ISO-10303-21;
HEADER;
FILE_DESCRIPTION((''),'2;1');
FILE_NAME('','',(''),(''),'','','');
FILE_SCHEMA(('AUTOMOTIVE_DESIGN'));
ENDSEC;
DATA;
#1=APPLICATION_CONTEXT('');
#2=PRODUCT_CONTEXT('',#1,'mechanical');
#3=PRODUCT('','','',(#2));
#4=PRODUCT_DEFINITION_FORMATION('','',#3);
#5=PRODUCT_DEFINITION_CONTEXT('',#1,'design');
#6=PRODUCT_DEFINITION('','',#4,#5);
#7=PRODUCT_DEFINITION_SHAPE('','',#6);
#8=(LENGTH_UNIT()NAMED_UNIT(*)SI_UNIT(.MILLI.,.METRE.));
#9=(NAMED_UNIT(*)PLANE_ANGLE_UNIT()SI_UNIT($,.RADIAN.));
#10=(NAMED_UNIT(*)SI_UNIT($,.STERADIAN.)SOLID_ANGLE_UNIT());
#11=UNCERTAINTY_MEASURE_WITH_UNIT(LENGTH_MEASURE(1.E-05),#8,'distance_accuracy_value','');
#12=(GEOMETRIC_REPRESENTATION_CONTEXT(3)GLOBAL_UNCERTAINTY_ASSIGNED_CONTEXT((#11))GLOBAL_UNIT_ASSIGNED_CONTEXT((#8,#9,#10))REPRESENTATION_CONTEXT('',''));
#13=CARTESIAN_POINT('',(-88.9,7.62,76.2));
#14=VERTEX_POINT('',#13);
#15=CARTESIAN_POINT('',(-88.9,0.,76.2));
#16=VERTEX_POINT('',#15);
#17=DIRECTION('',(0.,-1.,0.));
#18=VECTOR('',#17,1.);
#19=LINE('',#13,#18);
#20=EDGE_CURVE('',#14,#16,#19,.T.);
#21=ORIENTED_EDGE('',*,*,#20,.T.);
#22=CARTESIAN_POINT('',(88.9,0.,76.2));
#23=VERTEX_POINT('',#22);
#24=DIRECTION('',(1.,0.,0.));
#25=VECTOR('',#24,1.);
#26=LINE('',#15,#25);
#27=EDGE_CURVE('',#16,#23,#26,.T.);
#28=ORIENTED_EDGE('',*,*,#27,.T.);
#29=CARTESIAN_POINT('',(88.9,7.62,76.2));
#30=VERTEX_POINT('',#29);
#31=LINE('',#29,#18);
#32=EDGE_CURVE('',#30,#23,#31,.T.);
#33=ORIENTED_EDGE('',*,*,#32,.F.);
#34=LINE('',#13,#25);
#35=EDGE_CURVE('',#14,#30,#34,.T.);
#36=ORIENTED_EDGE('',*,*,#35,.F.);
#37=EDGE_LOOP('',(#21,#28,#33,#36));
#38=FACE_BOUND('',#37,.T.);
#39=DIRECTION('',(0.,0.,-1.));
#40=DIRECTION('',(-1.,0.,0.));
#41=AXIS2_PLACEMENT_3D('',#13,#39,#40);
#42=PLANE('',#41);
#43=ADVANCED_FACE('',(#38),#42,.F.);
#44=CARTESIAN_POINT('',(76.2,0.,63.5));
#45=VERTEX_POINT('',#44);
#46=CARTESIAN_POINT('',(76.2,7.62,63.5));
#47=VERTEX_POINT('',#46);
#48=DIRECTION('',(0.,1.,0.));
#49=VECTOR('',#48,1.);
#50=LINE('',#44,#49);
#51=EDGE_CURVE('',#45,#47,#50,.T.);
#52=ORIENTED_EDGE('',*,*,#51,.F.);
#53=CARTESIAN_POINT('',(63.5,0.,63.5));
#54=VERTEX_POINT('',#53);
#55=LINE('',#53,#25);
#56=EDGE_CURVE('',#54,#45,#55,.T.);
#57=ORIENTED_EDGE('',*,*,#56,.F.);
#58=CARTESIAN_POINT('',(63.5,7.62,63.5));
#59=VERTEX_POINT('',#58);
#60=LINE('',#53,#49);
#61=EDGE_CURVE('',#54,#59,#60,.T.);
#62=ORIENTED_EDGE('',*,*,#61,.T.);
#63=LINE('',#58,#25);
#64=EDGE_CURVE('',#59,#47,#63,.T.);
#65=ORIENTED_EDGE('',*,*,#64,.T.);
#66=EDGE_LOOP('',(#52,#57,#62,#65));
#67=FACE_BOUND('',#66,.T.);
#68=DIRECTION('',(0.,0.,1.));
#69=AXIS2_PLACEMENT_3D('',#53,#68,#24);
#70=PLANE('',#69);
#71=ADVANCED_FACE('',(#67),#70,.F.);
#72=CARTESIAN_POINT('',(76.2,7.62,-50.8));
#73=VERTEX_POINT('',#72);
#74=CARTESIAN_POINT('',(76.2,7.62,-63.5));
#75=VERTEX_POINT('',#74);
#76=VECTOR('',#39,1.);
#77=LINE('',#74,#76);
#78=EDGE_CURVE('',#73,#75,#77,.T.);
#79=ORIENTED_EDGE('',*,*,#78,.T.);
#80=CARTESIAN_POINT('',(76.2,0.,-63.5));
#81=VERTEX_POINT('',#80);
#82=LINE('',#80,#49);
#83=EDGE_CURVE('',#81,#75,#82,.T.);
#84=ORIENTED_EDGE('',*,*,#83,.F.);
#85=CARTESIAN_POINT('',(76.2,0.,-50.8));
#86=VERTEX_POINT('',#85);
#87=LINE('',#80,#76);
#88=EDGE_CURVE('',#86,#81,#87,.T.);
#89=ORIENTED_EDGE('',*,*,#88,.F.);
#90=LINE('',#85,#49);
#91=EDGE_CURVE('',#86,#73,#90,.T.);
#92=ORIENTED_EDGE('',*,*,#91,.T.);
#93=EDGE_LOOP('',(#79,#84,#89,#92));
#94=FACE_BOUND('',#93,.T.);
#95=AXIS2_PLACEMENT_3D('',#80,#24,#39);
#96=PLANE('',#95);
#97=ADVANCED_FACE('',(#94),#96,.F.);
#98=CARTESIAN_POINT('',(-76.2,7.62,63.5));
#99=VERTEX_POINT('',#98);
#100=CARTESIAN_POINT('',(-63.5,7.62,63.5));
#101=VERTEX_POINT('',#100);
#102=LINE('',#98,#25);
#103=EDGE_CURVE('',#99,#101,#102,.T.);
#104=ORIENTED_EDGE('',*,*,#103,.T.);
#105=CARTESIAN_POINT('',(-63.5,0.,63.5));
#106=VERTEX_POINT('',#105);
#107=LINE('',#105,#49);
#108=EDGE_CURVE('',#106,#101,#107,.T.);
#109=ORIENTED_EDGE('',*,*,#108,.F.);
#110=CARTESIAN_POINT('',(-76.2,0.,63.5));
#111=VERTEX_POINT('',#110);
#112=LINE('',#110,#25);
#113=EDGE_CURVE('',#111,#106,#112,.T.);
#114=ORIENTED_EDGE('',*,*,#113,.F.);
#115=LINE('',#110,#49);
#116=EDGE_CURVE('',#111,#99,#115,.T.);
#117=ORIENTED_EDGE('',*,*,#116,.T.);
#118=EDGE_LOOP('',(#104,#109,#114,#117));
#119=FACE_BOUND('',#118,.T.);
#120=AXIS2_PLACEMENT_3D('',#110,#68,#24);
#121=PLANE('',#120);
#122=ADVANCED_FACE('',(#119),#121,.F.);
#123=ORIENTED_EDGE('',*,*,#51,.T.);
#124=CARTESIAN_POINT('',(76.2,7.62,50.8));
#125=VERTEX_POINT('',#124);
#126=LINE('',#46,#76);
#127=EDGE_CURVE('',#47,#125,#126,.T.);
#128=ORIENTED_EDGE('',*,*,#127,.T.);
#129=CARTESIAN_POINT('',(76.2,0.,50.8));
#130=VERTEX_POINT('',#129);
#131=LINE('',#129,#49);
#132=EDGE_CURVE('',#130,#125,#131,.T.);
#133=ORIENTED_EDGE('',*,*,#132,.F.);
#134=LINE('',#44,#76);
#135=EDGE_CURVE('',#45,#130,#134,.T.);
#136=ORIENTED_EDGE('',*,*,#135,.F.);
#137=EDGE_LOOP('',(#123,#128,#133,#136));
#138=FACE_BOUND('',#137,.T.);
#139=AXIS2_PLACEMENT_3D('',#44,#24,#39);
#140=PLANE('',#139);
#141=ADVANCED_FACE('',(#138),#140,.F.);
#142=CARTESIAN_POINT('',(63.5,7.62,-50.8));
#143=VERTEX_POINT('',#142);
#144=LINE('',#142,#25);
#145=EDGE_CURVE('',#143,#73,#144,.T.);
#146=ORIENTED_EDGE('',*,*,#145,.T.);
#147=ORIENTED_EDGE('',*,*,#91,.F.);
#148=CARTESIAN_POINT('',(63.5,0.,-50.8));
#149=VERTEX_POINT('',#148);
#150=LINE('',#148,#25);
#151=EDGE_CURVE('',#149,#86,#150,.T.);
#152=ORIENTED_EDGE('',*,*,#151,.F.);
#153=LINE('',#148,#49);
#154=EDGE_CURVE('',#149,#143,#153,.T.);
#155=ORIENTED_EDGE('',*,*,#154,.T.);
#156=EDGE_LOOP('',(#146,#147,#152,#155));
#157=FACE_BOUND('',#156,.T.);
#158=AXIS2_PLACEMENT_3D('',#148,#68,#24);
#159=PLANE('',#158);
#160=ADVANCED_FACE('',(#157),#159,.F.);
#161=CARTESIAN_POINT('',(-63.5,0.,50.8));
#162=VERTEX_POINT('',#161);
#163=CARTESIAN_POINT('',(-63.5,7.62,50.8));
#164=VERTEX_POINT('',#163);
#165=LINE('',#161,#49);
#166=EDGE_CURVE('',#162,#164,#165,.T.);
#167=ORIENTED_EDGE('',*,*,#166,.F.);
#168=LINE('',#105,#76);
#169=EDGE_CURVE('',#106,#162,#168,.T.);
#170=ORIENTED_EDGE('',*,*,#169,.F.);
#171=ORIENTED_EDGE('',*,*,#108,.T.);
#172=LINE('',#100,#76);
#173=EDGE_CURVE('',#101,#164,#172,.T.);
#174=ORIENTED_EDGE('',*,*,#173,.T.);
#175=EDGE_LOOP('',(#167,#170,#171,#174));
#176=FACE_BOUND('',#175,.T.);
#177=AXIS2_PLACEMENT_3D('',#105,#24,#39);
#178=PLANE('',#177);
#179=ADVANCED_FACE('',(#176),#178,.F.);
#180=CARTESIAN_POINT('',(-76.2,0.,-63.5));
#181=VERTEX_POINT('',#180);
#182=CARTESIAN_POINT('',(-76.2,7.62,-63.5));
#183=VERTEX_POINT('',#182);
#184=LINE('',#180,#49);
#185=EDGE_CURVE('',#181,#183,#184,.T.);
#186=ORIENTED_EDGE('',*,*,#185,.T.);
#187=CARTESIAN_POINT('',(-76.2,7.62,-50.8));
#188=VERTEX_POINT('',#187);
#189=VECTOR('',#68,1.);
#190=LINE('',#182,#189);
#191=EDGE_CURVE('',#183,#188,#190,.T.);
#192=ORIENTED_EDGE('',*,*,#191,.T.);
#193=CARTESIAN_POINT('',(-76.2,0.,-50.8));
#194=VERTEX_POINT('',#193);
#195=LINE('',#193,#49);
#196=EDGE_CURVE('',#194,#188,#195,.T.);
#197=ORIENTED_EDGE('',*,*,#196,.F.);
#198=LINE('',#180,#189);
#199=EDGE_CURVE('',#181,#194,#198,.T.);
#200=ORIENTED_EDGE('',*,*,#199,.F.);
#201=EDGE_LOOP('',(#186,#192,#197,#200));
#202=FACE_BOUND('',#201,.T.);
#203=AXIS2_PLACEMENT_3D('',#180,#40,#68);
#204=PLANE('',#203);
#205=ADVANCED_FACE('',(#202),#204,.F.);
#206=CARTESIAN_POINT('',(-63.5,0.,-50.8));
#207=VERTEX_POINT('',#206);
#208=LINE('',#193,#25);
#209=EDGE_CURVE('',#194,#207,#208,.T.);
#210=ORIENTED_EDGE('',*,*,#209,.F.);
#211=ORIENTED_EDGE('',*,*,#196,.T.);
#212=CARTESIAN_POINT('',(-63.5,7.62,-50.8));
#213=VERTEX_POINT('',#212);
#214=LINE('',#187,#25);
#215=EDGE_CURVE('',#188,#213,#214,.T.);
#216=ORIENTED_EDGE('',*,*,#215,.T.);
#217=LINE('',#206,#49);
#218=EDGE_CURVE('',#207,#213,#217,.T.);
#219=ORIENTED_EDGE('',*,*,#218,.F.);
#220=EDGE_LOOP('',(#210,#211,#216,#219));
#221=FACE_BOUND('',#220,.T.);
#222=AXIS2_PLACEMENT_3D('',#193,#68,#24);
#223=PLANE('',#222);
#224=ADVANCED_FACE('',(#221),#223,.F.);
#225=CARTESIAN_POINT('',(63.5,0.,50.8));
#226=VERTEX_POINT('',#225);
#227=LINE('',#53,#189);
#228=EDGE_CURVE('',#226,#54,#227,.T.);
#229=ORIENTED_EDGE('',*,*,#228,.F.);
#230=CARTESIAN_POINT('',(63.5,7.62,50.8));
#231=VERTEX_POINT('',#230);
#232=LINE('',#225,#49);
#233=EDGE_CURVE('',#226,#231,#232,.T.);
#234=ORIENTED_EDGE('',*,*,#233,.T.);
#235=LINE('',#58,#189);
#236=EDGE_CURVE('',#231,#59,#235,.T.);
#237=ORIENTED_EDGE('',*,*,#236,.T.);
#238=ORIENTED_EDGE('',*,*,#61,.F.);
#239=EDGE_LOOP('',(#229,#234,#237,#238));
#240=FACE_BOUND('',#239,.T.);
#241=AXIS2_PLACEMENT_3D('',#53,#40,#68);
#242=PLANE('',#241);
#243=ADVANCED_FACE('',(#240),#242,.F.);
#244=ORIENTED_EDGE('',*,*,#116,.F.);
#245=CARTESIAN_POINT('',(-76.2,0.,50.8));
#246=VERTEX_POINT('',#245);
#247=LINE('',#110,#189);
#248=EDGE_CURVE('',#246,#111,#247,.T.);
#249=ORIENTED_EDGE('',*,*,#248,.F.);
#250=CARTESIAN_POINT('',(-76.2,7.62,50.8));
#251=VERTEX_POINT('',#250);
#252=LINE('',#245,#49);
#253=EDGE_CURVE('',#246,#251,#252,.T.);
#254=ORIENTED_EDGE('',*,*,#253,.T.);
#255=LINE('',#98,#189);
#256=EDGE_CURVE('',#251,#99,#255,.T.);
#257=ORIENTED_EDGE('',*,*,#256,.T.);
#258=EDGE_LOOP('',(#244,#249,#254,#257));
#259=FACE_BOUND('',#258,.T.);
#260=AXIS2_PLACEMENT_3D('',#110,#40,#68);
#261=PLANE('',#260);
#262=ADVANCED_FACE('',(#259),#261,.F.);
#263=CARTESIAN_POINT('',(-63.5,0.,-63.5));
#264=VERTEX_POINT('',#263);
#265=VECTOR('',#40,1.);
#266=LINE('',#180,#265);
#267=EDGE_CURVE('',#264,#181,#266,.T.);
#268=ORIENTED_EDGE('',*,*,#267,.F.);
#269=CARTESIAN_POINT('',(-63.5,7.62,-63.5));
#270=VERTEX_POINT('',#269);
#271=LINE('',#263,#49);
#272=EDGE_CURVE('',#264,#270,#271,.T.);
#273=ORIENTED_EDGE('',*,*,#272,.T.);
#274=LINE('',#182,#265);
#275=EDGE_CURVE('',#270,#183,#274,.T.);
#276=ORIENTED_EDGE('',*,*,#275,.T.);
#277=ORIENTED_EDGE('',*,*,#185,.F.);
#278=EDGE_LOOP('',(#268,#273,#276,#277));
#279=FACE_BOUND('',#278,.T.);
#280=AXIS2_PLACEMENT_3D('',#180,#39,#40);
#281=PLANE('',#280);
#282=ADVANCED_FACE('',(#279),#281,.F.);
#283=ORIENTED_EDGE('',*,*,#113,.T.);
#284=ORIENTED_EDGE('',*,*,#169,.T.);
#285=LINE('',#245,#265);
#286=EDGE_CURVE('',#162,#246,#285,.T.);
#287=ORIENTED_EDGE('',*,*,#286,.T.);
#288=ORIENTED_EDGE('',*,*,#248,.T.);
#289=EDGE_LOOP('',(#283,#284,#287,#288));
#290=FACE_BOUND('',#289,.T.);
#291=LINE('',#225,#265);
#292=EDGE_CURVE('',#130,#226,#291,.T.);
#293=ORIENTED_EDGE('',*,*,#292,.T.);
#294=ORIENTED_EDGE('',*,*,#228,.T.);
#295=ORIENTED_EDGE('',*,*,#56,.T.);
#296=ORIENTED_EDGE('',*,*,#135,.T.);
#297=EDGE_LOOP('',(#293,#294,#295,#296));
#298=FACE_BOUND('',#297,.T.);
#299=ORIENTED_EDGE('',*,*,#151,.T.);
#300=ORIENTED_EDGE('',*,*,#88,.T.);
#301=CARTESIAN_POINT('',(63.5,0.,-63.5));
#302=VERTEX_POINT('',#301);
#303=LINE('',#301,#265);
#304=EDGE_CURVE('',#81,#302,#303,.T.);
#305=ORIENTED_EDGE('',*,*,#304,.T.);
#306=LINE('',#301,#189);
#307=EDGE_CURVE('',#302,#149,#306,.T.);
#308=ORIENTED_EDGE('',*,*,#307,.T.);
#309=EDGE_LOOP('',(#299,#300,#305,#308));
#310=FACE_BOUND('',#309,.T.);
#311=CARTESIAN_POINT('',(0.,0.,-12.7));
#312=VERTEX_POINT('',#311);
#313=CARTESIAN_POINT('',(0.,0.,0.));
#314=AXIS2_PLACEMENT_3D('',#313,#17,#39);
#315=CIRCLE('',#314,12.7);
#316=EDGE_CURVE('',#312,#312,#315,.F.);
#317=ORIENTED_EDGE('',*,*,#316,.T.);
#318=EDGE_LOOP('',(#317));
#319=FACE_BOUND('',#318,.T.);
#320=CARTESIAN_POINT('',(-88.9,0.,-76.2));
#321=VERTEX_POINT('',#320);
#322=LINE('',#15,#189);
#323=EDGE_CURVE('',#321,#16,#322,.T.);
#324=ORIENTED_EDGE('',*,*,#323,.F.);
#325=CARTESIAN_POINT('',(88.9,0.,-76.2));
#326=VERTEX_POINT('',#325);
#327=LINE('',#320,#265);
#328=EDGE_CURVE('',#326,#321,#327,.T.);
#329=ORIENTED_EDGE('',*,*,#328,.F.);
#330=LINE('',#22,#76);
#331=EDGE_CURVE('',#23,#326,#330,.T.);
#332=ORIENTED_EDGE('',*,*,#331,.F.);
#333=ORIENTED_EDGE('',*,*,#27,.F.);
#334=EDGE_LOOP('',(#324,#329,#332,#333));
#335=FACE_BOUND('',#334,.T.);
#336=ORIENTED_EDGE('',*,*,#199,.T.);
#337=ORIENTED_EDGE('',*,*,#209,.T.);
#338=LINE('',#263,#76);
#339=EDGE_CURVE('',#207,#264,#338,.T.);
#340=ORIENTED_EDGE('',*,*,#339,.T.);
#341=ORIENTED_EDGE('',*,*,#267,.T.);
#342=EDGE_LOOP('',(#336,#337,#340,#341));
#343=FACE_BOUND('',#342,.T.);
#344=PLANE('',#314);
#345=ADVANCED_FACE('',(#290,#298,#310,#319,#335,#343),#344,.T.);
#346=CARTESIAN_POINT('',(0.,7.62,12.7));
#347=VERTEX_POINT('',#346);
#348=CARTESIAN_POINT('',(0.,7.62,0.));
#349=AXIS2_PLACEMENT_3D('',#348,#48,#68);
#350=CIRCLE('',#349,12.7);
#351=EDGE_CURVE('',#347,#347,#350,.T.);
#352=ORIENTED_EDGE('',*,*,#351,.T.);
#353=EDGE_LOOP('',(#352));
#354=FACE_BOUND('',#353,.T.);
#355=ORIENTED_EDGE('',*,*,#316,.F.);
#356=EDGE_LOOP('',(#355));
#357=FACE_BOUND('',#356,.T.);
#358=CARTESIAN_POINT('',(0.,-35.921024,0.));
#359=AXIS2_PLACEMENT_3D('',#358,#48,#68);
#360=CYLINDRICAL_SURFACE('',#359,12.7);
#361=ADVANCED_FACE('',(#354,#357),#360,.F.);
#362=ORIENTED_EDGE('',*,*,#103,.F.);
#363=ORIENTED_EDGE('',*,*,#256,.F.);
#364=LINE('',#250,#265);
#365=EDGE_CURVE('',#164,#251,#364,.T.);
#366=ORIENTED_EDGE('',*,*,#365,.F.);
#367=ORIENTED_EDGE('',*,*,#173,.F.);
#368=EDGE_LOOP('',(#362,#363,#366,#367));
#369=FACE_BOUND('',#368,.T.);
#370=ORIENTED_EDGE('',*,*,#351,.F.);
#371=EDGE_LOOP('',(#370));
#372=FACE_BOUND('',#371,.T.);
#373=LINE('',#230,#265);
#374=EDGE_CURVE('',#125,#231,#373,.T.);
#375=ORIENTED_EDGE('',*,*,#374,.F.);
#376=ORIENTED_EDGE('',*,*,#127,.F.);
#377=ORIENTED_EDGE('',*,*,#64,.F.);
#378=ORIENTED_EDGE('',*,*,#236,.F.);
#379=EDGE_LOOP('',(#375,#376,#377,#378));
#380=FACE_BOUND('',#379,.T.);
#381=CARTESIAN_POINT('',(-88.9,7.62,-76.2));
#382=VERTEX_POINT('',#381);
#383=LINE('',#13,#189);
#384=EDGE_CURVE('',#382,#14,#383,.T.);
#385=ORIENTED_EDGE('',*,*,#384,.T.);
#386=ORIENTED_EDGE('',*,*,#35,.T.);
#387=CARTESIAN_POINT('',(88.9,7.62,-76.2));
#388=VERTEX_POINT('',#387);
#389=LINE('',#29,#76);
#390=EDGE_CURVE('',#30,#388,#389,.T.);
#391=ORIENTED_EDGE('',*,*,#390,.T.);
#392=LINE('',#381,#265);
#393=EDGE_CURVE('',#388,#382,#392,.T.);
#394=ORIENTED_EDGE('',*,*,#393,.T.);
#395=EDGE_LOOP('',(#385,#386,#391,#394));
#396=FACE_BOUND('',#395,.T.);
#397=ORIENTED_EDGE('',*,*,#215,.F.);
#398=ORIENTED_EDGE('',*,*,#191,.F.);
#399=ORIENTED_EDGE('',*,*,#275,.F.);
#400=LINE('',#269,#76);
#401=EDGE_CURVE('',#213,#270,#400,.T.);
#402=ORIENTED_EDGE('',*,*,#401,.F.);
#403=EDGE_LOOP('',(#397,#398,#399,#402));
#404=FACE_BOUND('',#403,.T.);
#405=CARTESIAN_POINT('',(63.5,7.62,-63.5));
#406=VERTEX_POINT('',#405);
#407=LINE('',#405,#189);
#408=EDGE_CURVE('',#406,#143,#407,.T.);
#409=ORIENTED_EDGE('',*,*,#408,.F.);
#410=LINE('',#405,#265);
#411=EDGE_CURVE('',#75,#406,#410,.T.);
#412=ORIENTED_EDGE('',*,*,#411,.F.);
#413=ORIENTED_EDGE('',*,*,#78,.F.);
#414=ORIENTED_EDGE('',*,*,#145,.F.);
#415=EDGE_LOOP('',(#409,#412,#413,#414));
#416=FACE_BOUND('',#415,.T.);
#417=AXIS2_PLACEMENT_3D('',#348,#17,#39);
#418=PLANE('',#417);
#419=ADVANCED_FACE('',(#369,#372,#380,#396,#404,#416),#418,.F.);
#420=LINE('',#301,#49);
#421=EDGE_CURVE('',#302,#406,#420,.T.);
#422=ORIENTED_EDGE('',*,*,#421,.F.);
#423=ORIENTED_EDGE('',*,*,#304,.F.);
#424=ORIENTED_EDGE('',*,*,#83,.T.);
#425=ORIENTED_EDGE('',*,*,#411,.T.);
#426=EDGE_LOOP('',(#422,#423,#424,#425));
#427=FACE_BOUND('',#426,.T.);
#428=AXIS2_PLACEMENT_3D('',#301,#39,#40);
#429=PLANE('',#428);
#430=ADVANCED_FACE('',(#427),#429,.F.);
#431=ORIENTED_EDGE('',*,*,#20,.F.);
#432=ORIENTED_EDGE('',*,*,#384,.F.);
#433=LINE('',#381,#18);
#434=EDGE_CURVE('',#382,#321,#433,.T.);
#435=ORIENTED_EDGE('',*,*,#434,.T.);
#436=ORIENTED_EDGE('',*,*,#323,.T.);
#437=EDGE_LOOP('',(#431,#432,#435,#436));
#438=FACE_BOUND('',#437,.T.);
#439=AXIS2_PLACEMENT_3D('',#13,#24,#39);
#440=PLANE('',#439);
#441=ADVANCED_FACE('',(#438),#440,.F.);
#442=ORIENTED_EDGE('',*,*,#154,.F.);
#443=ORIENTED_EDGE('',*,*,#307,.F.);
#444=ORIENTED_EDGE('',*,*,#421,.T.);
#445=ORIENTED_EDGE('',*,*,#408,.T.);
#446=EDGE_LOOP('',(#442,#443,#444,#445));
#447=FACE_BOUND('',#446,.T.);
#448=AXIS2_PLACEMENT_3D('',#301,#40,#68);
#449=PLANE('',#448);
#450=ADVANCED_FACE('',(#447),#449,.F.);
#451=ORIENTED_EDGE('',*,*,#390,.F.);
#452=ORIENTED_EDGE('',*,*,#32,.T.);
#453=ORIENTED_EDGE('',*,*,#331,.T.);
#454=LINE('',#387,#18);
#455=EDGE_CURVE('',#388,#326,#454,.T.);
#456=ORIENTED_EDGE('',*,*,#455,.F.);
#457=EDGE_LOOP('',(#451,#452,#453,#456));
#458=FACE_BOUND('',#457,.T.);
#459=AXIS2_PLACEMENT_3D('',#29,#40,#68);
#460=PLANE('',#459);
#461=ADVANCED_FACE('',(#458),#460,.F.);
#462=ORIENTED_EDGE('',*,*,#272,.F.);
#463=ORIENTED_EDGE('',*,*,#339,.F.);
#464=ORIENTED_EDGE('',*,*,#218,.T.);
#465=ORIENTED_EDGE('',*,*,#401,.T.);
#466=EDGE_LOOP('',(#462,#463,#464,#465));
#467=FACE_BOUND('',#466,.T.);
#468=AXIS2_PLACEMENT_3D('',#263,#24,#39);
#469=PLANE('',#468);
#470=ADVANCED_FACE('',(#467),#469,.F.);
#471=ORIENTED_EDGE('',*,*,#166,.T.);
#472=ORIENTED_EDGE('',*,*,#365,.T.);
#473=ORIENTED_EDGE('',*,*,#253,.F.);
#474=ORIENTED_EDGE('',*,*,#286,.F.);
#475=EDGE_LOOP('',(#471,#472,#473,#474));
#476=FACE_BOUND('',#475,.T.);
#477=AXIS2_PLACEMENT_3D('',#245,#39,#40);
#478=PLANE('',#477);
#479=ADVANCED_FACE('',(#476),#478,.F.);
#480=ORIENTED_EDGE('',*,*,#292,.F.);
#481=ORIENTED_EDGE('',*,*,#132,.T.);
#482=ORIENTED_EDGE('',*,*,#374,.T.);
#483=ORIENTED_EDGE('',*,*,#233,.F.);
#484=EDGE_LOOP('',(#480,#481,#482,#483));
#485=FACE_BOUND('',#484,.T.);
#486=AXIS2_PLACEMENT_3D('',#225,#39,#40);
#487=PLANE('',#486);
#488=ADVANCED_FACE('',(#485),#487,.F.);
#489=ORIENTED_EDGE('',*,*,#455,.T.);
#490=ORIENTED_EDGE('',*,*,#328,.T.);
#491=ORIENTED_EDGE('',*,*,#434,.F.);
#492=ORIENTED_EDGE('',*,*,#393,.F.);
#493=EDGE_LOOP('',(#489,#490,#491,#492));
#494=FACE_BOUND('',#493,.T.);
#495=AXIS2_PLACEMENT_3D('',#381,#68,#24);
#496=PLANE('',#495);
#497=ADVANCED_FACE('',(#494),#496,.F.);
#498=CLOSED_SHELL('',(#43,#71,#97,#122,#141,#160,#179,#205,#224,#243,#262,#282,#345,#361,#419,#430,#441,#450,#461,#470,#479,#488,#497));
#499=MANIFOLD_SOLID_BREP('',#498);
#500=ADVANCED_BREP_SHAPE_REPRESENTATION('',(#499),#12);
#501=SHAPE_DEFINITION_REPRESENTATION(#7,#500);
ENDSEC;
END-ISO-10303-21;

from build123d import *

# Parameters (mm, degrees)
SKETCH1_W           = 177.8
SKETCH1_H           = 152.4
BOSS_EXTRUDE1_DEPTH = 7.62
SKETCH2_R           = 12.7
CUT_EXTRUDE1_DEPTH  = 7.62
SKETCH3_W           = 12.7
SKETCH3_H           = 12.7
CUT_EXTRUDE2_DEPTH  = 118.335904139


with BuildPart() as part:
    # Sketch1 → Boss-Extrude1 (new body)
    with BuildSketch(Plane(origin=(0, 0, 0), x_dir=(1, 0, 0), z_dir=(0, 1, 0))):
        Rectangle(SKETCH1_W, SKETCH1_H)
    extrude(amount=BOSS_EXTRUDE1_DEPTH)

    # Sketch2 → Cut-Extrude1 (cut)
    with BuildSketch(Plane(origin=(0, 7.62, 0), x_dir=(1, 0, 0), z_dir=(0, 1, 0))):
        with Locations(Location((0, 0, 0), (0, 0, 270))):
            Circle(SKETCH2_R)
    extrude(amount=-CUT_EXTRUDE1_DEPTH, mode=Mode.SUBTRACT)

    # Sketch3 → Cut-Extrude2 (cut, through all)
    with BuildSketch(Plane(origin=(0, 7.62, 0), x_dir=(1, 0, 0), z_dir=(0, 1, 0))):
        with Locations((-69.85, -57.15)):
            Rectangle(SKETCH3_W, SKETCH3_H)
        with Locations((69.85, -57.15)):
            Rectangle(SKETCH3_W, SKETCH3_H)
        with Locations((-69.85, 57.15)):
            Rectangle(SKETCH3_W, SKETCH3_H)
        with Locations((69.85, 57.15)):
            Rectangle(SKETCH3_W, SKETCH3_H)
    extrude(amount=-CUT_EXTRUDE2_DEPTH, mode=Mode.SUBTRACT)


solid = part.part
